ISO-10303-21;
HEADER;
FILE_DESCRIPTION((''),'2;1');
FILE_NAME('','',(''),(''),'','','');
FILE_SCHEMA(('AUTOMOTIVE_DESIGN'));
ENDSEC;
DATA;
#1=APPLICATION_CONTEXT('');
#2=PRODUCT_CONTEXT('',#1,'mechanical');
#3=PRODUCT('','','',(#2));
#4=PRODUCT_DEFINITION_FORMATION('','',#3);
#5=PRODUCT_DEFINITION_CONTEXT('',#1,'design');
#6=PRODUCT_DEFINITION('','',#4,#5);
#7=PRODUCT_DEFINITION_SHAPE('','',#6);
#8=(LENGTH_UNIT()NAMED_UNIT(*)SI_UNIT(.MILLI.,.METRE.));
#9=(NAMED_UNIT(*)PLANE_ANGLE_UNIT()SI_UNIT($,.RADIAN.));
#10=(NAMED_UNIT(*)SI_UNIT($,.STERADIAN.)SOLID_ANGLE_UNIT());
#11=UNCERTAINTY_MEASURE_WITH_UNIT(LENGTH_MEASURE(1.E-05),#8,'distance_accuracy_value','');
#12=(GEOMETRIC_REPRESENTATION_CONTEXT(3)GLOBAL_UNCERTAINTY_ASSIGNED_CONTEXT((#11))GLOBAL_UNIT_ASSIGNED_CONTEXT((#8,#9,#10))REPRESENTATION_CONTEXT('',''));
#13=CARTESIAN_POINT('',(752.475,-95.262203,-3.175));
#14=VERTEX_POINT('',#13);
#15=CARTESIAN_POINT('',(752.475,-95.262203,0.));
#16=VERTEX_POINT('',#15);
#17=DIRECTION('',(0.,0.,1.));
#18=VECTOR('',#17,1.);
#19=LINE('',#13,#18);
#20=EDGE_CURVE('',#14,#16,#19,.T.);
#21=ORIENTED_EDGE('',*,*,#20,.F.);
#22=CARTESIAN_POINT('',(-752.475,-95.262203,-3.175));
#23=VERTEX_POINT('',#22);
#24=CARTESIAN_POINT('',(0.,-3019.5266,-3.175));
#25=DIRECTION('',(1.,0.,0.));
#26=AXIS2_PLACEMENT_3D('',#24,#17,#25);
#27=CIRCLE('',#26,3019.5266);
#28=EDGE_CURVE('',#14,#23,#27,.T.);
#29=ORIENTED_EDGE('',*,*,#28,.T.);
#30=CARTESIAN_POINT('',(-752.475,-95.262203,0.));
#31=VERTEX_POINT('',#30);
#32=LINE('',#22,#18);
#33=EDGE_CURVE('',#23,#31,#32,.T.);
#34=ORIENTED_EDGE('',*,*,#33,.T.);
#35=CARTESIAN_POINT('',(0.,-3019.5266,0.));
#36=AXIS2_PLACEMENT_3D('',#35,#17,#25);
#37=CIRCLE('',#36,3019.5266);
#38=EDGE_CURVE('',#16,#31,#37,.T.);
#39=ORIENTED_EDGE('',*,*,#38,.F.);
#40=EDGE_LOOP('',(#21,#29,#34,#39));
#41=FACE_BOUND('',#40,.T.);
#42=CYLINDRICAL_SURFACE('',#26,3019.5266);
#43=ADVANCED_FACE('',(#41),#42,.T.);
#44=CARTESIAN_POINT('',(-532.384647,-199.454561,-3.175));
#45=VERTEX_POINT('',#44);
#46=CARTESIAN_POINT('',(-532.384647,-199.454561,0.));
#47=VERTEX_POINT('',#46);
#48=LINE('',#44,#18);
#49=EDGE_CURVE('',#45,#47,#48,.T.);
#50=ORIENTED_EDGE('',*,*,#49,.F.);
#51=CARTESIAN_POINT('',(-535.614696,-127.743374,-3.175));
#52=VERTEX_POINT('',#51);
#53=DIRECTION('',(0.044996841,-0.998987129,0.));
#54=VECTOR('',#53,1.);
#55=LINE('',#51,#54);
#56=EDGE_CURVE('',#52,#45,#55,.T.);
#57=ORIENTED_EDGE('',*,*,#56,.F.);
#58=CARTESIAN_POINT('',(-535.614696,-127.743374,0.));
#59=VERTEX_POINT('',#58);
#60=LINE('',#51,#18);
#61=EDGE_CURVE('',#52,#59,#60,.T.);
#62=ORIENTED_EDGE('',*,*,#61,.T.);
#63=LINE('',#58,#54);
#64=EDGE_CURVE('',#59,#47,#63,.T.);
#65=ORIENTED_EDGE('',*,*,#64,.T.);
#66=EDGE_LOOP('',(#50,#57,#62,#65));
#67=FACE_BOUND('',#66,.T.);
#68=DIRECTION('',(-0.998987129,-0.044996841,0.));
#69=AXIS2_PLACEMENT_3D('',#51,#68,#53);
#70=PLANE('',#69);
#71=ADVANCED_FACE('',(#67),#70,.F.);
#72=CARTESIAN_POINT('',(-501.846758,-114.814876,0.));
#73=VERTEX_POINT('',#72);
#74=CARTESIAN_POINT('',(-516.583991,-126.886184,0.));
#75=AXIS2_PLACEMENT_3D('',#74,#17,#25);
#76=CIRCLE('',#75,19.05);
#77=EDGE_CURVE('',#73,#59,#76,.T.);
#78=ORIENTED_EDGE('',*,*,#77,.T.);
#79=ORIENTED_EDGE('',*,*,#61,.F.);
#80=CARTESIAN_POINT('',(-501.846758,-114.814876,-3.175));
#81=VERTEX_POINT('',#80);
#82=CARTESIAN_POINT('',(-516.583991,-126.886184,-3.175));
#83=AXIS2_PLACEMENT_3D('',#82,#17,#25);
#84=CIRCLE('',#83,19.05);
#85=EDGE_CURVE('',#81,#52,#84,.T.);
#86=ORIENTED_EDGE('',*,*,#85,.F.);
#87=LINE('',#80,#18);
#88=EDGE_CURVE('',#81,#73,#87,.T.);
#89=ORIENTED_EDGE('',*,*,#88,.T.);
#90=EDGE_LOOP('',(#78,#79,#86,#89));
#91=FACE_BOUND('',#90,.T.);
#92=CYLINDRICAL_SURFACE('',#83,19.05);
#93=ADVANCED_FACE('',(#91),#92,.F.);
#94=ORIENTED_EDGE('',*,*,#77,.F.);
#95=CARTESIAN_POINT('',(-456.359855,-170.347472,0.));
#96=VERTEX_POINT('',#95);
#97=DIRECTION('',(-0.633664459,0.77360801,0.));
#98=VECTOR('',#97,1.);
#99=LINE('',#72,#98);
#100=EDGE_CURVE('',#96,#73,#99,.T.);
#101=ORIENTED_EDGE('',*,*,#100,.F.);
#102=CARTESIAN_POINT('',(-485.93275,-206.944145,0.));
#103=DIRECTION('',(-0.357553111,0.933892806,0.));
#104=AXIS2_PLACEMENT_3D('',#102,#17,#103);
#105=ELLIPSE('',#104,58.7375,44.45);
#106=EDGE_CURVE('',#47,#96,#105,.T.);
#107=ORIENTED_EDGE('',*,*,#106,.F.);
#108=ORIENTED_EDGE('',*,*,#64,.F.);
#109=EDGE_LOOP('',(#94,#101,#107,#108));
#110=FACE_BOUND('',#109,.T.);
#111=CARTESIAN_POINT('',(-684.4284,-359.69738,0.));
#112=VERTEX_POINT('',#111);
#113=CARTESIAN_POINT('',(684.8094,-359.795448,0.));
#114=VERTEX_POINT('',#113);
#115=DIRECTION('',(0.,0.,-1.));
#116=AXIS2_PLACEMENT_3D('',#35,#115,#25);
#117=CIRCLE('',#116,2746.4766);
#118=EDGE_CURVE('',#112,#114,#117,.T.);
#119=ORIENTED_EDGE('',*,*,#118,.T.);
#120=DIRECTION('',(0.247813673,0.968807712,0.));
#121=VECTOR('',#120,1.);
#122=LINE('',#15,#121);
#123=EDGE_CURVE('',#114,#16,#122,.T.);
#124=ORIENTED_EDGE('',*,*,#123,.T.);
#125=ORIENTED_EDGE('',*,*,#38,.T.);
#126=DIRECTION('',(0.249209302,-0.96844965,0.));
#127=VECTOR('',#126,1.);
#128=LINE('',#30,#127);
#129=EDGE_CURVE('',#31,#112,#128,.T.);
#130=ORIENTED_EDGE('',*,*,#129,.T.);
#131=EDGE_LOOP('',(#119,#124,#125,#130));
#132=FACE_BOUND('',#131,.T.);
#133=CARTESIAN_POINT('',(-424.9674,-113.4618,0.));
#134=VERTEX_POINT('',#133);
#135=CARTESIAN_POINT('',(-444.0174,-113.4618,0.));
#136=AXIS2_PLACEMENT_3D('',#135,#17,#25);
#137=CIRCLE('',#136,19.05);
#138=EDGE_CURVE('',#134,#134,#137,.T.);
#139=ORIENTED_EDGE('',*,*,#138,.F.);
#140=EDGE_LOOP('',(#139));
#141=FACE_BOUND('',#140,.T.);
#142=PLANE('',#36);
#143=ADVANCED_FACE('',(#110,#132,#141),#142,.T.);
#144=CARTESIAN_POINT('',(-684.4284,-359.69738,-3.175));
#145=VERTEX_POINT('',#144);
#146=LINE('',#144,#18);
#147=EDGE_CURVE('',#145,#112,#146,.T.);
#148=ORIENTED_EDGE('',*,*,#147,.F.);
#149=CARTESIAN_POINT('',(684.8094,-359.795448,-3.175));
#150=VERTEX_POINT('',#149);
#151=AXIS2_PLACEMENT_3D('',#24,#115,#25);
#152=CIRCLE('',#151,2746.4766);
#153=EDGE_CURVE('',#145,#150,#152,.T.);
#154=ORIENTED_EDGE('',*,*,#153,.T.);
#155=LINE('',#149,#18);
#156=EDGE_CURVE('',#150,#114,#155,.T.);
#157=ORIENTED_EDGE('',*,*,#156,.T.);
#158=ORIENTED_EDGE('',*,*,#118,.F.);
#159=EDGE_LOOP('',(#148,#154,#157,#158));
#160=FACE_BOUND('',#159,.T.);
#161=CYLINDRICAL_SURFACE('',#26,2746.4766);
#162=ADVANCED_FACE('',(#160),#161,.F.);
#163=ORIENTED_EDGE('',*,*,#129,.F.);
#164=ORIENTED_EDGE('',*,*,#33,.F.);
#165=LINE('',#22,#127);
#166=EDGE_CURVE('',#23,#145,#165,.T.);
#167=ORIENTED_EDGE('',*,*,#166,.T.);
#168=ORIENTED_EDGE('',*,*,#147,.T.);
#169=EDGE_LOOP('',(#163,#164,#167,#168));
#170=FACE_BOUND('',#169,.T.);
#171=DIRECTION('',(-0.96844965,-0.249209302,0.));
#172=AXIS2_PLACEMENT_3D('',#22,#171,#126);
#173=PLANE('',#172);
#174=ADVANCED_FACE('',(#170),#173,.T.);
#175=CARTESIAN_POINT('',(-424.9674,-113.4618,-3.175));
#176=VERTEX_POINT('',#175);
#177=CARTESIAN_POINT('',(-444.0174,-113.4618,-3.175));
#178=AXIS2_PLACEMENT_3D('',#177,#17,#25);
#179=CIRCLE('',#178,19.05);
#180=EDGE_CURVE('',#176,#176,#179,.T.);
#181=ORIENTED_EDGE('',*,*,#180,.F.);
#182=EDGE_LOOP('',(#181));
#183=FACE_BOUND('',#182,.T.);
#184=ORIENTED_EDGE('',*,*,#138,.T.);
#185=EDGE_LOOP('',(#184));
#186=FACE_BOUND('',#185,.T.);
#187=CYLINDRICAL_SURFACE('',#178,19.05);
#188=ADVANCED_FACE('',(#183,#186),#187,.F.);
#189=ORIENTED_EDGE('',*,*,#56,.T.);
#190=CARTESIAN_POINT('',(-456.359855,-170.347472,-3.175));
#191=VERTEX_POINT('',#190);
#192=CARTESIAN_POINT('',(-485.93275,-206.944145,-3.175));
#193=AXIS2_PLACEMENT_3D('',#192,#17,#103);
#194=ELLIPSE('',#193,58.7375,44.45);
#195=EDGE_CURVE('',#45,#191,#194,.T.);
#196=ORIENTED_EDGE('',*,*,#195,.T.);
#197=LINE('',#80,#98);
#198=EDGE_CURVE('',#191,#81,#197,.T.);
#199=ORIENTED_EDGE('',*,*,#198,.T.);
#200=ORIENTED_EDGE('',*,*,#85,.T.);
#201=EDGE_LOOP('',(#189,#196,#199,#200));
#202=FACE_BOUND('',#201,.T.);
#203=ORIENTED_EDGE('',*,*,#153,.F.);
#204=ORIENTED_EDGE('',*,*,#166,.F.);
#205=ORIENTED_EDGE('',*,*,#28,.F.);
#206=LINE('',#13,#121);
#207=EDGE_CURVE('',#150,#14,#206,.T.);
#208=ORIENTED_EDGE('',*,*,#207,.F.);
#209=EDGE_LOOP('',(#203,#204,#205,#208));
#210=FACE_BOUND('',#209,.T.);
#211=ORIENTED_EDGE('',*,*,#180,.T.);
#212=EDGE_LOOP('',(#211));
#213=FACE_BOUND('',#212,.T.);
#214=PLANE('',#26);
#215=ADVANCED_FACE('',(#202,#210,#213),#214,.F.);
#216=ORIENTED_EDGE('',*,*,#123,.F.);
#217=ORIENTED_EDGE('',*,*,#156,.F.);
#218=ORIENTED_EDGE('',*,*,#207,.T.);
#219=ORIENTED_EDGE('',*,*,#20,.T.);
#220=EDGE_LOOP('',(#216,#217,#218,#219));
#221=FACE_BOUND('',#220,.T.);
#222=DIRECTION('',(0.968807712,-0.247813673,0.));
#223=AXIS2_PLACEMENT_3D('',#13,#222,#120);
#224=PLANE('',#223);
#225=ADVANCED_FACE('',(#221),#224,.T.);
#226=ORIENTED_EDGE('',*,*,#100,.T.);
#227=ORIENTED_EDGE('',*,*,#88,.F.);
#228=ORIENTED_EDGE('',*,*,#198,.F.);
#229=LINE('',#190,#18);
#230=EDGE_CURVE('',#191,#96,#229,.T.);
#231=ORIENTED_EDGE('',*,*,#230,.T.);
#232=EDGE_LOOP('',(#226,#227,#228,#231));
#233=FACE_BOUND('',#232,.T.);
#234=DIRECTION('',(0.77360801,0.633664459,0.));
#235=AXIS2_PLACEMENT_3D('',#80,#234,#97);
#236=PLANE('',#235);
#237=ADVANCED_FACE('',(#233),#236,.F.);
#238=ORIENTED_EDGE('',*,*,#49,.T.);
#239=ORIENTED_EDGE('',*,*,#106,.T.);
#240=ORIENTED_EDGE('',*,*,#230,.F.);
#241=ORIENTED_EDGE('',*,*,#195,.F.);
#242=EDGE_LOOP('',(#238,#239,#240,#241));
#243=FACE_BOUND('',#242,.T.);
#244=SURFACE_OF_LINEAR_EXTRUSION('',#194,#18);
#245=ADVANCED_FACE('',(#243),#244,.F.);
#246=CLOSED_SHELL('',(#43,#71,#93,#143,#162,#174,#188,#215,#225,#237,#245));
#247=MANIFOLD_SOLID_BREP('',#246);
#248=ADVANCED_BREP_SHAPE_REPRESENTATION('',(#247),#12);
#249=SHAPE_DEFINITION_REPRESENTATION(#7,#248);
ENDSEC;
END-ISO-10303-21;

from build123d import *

# Parameters (mm, degrees)
SKETCH1_R          = 19.05
BASE_EXTRUDE_DEPTH = 3.175


with BuildPart() as part:
    # Sketch1 → Base-Extrude (new body)
    with BuildSketch(Plane.XY):
        with BuildLine():
            Line((-752.475, -95.262203185), (-684.4284, -359.69737999))
            ThreePointArc((-684.4284, -359.69737999), (0.19670941, -273.050007044), (684.8094, -359.795448169))
            Line((684.8094, -359.795448169), (752.475, -95.262203185))
            ThreePointArc((752.475, -95.262203185), (0, 0), (-752.475, -95.262203185))
        make_face()
        with Locations((-444.0174, -113.4618)):
            Circle(SKETCH1_R, mode=Mode.SUBTRACT)
        with BuildLine():
            Line((-535.614695533, -127.743373783), (-532.38464705, -199.45456113))
            add(Edge.make_bspline(
                [(-532.38464705, -199.45456113), (-528.480595277, -286.129479355), (-464.930974485, -261.798673459), (-401.381353693, -237.467867563), (-456.359855014, -170.347472288)],
                knots=[4.298855998, 4.298855998, 4.298855998, 6.283185307, 6.283185307, 8.267514616, 8.267514616, 8.267514616], degree=2, weights=[1, 0.546878869, 1, 0.546878869, 1]))
            Line((-456.359855014, -170.347472288), (-501.846758135, -114.814876019))
            ThreePointArc((-501.846758135, -114.814876019), (-523.395377478, -109.095526016), (-535.614695533, -127.743373783))
        make_face(mode=Mode.SUBTRACT)
    extrude(amount=-BASE_EXTRUDE_DEPTH)


solid = part.part
